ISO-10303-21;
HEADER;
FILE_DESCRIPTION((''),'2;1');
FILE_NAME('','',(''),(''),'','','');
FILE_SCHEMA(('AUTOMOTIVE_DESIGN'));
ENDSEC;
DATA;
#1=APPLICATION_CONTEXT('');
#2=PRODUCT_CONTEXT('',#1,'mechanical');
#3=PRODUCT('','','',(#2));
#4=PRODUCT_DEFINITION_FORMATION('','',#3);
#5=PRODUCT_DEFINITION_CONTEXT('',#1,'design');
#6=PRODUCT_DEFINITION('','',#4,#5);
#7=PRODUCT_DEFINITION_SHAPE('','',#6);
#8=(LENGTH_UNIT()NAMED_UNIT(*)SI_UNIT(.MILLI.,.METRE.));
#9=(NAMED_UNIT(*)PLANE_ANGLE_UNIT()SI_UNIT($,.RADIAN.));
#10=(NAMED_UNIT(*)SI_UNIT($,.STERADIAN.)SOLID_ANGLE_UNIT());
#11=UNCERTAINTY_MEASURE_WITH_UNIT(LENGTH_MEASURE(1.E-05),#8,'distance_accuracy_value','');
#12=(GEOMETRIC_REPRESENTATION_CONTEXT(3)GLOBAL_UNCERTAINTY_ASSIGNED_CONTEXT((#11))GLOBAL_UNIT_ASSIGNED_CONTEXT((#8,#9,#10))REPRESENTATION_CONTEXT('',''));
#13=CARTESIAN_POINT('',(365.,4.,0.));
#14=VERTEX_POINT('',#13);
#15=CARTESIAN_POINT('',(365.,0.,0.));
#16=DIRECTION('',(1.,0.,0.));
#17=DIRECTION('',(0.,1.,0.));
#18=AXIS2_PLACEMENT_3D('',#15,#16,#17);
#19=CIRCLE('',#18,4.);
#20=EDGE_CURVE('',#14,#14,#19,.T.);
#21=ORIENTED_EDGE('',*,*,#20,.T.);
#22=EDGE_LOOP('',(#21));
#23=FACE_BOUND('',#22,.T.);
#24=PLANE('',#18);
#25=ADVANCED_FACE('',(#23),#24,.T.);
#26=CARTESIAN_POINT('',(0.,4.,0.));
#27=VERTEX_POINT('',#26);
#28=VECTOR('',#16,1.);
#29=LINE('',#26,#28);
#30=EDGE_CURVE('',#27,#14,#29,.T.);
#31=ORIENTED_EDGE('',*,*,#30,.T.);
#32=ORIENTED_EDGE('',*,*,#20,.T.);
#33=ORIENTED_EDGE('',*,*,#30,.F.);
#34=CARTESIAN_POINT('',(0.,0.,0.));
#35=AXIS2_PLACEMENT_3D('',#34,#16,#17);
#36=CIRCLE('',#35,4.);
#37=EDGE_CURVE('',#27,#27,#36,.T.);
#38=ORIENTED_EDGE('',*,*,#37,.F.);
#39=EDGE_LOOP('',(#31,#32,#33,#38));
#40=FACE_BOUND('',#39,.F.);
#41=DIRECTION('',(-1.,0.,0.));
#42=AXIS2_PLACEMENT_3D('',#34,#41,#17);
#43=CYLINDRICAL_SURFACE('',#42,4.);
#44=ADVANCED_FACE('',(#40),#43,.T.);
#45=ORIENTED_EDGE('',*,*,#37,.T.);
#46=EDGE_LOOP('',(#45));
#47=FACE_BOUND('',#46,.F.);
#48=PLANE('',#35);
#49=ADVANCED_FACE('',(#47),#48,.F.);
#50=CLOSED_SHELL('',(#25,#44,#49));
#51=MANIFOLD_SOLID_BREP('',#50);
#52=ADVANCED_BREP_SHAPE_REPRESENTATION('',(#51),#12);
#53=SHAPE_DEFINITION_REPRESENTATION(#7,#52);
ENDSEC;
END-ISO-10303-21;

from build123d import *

# Parameters (mm, degrees)
SKETCH_R  = 4
PAD_DEPTH = 365


with BuildPart() as part:
    # Sketch → Pad (new body)
    with BuildSketch(Plane.YZ):
        Circle(SKETCH_R)
    extrude(amount=PAD_DEPTH)


solid = part.part
